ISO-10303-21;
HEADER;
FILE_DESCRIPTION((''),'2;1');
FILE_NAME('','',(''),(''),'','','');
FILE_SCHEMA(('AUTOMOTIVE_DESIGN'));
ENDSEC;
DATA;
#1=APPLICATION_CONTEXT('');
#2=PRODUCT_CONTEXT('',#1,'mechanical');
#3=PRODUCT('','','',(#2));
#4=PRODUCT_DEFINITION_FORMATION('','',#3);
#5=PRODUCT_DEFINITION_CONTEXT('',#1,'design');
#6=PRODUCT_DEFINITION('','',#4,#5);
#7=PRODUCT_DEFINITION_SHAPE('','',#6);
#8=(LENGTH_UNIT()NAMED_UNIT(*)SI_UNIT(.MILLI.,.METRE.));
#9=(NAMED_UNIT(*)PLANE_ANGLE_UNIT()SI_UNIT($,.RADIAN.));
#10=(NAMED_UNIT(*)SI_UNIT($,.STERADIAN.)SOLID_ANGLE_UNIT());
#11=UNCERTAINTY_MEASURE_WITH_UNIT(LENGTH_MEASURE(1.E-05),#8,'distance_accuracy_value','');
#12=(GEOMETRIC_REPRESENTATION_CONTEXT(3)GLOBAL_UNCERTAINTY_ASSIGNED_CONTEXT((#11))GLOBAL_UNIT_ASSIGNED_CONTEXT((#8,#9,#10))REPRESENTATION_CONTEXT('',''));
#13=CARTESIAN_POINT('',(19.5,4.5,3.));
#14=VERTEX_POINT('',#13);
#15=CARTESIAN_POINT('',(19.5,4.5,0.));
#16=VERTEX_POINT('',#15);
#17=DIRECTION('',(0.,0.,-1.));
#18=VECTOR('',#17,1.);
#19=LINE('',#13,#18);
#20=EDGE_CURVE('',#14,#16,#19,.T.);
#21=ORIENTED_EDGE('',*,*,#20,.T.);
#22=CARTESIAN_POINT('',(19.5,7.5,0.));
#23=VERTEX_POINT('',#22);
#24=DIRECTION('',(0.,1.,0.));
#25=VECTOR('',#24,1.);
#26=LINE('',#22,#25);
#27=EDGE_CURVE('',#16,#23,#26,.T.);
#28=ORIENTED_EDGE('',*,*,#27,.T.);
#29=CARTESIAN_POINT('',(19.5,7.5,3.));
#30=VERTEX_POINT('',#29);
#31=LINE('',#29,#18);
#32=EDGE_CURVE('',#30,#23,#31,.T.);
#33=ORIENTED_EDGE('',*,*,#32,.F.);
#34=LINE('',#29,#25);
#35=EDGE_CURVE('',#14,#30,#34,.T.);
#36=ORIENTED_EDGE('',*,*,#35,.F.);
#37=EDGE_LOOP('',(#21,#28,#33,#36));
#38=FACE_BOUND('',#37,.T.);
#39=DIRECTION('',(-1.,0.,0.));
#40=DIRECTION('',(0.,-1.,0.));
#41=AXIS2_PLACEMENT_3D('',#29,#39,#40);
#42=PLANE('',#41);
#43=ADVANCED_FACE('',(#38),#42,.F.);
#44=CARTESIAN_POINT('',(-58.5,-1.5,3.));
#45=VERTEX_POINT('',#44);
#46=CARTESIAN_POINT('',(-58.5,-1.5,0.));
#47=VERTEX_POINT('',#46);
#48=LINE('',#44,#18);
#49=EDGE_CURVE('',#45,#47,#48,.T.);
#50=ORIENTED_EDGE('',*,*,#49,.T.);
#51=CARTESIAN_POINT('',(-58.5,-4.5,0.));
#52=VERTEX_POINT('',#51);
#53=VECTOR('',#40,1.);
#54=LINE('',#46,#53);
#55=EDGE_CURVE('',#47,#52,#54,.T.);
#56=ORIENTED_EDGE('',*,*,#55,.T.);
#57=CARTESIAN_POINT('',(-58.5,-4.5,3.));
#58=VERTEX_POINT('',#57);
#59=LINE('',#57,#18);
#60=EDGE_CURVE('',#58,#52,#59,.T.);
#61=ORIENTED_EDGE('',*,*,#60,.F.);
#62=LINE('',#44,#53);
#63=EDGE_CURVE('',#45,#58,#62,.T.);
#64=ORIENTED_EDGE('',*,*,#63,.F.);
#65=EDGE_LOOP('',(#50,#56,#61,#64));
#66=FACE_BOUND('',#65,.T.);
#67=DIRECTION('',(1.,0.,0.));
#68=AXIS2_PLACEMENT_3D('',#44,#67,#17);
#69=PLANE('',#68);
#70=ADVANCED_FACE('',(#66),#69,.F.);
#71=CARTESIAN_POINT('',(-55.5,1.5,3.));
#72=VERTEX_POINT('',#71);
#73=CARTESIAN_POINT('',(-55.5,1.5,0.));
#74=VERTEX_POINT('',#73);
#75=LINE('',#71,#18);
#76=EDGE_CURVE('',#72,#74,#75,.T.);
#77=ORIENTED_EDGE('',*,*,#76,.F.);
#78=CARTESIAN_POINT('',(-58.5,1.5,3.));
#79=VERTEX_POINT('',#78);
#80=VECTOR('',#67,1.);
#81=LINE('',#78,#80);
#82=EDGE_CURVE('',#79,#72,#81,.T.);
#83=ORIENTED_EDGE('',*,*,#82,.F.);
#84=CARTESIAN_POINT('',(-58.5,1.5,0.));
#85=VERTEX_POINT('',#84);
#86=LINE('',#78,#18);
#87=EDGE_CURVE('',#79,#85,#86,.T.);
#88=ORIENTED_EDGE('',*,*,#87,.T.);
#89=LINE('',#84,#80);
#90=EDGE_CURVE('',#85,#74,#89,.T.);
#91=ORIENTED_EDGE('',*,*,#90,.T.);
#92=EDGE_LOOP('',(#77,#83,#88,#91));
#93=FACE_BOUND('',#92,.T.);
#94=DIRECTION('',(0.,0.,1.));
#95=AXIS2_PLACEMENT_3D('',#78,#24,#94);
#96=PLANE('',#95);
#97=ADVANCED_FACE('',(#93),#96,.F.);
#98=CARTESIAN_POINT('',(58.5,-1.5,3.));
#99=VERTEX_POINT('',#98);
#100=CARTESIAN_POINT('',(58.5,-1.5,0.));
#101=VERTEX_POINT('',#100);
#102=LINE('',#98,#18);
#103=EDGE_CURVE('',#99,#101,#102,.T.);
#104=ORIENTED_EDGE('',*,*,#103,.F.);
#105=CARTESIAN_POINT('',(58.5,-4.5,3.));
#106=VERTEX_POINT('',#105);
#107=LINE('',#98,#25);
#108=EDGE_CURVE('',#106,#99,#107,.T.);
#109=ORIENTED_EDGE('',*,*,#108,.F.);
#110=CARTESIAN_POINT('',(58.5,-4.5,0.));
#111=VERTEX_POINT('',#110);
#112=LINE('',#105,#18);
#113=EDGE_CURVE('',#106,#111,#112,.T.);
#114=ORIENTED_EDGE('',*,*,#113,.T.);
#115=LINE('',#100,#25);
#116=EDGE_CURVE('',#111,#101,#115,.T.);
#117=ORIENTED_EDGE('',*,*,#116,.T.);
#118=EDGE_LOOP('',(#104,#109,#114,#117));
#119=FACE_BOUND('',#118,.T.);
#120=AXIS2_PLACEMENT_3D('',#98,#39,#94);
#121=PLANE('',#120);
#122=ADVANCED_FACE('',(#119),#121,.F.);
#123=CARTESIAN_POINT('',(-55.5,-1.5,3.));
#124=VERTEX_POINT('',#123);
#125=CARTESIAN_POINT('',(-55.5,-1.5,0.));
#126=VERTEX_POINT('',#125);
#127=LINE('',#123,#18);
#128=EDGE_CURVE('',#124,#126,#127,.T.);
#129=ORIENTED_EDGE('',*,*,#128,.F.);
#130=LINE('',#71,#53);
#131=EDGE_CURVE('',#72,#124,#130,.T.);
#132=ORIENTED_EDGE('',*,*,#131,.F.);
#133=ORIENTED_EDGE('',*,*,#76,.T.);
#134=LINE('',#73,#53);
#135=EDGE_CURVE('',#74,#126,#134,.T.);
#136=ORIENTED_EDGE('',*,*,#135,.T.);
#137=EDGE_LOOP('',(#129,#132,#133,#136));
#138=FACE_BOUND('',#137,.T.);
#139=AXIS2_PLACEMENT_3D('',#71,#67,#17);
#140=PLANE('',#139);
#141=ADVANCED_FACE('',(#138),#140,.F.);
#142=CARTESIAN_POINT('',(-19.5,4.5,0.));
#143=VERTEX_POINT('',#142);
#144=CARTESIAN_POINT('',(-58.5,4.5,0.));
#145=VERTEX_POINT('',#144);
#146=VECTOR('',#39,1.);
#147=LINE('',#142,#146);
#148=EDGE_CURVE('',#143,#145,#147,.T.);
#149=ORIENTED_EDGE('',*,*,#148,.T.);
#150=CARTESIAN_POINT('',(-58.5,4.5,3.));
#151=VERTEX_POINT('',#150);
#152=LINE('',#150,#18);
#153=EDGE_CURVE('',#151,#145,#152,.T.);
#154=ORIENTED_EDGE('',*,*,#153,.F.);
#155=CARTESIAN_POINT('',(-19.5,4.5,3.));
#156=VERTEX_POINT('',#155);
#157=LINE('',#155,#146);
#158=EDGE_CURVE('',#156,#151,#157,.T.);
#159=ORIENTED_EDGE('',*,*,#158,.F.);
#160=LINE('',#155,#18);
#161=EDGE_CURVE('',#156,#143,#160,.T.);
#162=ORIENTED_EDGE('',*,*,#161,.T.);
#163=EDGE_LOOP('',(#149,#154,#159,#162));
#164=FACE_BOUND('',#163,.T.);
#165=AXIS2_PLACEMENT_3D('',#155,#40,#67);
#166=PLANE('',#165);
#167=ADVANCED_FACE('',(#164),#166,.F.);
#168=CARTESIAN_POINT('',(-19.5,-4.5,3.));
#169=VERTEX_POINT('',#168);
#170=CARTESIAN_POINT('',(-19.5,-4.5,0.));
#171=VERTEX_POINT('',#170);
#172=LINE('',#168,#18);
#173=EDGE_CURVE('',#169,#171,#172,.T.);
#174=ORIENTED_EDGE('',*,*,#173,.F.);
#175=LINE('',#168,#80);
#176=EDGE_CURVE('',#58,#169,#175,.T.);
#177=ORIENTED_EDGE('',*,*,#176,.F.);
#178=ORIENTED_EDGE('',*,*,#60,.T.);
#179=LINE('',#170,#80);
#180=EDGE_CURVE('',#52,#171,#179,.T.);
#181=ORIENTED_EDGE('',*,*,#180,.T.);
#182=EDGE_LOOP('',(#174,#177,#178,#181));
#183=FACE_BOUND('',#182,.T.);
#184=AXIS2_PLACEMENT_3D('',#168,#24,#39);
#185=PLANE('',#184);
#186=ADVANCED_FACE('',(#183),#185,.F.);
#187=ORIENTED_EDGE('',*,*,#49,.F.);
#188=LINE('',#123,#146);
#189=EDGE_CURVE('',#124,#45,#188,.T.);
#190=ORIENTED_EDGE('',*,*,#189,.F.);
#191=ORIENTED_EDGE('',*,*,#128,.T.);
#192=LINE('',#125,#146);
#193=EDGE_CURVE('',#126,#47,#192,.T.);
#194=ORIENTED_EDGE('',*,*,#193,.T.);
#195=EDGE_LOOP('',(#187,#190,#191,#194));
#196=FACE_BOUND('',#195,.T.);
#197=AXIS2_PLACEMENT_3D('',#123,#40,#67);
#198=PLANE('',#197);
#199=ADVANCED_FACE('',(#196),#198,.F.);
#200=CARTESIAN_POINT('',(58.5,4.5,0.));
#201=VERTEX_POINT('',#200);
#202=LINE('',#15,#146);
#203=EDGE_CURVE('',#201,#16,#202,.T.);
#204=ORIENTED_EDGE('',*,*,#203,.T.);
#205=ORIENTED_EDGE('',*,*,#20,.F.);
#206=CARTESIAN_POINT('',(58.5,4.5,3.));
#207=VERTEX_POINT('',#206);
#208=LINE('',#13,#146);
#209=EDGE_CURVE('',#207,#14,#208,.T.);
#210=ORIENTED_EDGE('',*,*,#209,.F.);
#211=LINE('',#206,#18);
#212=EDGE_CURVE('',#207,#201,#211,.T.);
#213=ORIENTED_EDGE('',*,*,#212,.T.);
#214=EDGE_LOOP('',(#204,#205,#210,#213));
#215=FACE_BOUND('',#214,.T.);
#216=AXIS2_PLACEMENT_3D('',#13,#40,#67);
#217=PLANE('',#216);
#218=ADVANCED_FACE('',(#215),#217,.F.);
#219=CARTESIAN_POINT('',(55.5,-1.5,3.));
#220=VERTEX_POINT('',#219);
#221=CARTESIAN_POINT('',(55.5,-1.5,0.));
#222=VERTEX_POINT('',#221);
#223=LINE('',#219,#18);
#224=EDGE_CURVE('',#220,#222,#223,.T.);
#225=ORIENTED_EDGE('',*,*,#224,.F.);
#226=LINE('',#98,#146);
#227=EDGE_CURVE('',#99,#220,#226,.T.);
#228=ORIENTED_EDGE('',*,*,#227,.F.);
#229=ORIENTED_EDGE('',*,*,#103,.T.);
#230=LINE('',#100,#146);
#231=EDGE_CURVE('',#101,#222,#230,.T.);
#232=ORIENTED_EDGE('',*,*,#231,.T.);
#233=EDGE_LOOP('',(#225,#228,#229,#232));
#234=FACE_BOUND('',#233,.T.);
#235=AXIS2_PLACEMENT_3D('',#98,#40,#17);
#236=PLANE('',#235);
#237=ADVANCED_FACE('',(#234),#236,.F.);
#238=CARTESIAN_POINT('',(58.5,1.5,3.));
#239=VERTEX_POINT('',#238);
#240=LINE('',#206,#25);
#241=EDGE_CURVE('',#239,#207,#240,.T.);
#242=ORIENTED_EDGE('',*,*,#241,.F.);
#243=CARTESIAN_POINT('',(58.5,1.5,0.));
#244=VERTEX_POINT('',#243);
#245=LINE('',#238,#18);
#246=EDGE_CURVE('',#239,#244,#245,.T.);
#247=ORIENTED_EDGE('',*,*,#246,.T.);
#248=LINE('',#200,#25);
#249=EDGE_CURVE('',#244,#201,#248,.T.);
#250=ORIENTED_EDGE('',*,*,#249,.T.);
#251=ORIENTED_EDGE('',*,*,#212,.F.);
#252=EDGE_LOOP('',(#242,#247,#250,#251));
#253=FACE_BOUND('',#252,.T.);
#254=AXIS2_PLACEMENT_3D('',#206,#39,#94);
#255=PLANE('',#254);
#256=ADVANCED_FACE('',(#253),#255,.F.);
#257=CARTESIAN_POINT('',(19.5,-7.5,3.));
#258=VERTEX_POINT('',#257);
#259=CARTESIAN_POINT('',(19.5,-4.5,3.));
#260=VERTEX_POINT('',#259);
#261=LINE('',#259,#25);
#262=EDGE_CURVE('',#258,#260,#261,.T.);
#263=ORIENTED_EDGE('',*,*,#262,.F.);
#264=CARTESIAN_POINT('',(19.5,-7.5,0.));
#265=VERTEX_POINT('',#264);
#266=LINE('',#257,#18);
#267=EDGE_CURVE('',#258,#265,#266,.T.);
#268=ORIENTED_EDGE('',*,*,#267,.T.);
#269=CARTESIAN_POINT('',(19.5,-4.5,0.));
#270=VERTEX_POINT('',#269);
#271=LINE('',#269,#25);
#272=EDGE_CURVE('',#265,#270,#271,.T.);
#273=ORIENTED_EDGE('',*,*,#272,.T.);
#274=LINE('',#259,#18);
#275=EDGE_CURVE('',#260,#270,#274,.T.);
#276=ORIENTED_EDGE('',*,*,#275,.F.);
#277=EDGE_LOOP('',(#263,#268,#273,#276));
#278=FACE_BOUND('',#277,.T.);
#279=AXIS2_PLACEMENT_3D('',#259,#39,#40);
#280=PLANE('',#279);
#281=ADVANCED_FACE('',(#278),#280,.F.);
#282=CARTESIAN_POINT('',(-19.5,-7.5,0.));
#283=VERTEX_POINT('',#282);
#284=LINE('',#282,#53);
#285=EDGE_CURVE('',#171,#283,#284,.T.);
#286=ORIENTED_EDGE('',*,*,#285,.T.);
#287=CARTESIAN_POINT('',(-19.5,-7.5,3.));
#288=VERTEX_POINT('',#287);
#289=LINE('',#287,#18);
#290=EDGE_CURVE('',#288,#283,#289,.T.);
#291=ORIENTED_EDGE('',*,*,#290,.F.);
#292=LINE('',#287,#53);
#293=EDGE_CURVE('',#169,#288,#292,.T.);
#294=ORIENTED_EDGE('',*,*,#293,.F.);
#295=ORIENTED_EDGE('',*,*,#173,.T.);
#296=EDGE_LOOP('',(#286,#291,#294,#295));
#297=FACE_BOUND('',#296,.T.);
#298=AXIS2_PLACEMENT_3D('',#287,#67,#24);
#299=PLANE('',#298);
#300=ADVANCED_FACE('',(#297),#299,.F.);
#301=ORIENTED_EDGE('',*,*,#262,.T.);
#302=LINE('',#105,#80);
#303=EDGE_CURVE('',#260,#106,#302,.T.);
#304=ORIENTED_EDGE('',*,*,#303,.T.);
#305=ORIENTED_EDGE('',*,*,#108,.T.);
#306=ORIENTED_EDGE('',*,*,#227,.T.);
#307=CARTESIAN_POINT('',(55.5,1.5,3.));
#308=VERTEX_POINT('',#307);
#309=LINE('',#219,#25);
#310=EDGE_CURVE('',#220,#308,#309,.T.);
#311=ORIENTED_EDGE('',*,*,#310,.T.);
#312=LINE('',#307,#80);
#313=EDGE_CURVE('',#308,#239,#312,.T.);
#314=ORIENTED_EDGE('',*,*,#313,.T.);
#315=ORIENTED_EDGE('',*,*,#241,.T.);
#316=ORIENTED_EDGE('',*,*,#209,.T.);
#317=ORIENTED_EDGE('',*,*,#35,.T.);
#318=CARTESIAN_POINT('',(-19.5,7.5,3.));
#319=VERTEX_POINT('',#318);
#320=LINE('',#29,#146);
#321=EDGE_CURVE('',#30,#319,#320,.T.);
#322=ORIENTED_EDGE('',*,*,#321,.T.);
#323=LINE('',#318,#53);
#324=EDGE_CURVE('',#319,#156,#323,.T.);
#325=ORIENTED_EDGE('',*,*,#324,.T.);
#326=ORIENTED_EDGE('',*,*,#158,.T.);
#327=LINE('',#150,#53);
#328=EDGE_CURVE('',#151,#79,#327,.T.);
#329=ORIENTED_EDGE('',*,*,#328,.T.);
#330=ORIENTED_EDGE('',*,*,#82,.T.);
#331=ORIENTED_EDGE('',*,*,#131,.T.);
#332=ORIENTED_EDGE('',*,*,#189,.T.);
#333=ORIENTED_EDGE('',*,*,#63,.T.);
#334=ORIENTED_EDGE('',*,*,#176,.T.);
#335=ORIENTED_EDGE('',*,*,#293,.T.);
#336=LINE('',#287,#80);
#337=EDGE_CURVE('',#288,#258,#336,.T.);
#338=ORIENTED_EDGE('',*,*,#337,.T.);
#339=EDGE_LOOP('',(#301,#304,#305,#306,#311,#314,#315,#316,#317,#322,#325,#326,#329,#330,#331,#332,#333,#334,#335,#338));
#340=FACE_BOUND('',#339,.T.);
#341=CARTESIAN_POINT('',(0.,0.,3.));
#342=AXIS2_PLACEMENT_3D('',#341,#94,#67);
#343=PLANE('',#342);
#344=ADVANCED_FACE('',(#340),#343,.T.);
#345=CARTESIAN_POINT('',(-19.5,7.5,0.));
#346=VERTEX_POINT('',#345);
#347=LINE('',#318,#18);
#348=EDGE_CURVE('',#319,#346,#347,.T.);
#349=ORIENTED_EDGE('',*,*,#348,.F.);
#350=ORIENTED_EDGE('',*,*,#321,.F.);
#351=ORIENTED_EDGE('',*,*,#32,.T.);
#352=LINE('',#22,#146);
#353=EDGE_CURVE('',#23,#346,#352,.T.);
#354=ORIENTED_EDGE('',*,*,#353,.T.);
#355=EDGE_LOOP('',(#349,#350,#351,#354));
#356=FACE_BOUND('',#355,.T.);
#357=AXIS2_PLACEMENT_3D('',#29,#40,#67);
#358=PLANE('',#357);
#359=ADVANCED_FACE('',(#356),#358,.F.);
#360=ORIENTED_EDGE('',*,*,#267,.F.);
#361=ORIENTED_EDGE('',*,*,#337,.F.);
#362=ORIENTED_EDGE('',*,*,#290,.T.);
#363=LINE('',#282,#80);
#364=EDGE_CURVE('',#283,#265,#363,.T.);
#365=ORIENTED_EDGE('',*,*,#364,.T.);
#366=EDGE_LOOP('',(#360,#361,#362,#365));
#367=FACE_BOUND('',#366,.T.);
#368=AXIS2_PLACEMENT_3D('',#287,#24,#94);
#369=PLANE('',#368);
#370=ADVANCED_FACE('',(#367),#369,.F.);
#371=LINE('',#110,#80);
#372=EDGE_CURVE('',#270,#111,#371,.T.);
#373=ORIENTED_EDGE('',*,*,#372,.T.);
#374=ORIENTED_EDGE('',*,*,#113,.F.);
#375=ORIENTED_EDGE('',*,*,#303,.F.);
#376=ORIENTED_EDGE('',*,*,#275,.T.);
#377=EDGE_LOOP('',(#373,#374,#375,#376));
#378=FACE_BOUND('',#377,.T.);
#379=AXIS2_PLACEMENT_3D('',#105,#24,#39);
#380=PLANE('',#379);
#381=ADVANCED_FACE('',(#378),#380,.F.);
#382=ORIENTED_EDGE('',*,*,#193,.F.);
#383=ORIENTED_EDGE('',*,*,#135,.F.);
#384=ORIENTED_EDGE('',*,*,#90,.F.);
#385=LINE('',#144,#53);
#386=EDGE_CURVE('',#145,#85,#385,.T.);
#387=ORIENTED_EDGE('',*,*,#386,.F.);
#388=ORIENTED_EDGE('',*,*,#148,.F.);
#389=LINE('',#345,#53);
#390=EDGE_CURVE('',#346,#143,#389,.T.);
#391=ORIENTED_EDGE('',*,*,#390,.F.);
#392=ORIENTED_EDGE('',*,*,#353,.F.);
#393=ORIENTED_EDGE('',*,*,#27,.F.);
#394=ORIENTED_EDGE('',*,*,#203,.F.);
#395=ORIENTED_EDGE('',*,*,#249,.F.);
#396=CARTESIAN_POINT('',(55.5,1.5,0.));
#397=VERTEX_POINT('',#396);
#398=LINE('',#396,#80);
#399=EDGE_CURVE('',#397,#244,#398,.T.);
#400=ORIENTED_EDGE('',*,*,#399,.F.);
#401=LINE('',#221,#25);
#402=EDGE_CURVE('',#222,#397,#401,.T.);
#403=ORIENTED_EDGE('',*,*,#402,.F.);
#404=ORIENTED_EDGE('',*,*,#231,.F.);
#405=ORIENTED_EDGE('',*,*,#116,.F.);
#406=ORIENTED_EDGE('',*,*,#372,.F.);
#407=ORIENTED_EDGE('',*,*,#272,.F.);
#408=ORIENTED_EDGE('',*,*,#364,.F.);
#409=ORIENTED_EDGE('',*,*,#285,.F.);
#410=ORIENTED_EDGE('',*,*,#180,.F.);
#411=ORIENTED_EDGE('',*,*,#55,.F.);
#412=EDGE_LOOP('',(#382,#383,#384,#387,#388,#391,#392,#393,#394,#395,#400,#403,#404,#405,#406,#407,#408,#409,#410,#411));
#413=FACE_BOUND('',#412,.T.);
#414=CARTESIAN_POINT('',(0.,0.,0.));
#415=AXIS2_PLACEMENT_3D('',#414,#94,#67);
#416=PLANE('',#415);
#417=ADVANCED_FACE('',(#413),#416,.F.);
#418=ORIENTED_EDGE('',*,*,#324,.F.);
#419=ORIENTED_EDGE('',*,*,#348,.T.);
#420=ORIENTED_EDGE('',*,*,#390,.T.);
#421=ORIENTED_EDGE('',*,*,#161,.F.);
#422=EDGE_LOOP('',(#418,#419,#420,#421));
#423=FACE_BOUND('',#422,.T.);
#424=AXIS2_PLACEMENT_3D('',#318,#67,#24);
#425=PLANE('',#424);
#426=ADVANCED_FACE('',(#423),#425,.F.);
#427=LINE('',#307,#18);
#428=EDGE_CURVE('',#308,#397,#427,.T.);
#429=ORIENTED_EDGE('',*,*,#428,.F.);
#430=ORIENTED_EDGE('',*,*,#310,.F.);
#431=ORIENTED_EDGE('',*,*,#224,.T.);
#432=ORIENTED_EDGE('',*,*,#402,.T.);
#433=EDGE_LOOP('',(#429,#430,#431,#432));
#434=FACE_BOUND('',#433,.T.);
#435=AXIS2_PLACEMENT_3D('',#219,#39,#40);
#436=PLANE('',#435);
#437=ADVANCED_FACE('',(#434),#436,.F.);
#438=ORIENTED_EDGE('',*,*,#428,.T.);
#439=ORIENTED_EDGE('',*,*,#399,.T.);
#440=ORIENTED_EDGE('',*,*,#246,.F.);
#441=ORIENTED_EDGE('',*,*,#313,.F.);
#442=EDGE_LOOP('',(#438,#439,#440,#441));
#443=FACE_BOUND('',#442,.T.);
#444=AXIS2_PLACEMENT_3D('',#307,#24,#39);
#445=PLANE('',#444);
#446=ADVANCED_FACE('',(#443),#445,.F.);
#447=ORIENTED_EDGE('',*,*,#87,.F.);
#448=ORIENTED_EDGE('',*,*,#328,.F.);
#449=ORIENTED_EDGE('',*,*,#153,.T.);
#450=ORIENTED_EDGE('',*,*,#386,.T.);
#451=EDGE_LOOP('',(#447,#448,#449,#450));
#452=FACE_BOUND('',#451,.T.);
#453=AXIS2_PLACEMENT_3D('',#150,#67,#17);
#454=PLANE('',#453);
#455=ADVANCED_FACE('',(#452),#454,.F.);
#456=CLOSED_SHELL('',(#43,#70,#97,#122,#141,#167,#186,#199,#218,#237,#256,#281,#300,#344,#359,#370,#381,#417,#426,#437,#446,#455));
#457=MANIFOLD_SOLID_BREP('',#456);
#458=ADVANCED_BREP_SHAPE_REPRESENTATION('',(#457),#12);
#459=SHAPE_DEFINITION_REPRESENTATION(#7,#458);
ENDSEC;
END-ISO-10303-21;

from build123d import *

# Parameters (mm, degrees)
BOSS_EXTRUDE1_DEPTH = 3


with BuildPart() as part:
    # Sketch1 → Boss-Extrude1 (new body)
    with BuildSketch(Plane.XY):
        Polygon((-19.5, -7.5), (19.5, -7.5), (19.5, -4.5), (58.5, -4.5), (58.5, -1.5), (55.5, -1.5), (55.5, 1.5), (58.5, 1.5), (58.5, 4.5), (19.5, 4.5), (19.5, 7.5), (-19.5, 7.5), (-19.5, 4.5), (-58.5, 4.5), (-58.5, 1.5), (-55.5, 1.5), (-55.5, -1.5), (-58.5, -1.5), (-58.5, -4.5), (-19.5, -4.5), align=None)
    extrude(amount=BOSS_EXTRUDE1_DEPTH)


solid = part.part
